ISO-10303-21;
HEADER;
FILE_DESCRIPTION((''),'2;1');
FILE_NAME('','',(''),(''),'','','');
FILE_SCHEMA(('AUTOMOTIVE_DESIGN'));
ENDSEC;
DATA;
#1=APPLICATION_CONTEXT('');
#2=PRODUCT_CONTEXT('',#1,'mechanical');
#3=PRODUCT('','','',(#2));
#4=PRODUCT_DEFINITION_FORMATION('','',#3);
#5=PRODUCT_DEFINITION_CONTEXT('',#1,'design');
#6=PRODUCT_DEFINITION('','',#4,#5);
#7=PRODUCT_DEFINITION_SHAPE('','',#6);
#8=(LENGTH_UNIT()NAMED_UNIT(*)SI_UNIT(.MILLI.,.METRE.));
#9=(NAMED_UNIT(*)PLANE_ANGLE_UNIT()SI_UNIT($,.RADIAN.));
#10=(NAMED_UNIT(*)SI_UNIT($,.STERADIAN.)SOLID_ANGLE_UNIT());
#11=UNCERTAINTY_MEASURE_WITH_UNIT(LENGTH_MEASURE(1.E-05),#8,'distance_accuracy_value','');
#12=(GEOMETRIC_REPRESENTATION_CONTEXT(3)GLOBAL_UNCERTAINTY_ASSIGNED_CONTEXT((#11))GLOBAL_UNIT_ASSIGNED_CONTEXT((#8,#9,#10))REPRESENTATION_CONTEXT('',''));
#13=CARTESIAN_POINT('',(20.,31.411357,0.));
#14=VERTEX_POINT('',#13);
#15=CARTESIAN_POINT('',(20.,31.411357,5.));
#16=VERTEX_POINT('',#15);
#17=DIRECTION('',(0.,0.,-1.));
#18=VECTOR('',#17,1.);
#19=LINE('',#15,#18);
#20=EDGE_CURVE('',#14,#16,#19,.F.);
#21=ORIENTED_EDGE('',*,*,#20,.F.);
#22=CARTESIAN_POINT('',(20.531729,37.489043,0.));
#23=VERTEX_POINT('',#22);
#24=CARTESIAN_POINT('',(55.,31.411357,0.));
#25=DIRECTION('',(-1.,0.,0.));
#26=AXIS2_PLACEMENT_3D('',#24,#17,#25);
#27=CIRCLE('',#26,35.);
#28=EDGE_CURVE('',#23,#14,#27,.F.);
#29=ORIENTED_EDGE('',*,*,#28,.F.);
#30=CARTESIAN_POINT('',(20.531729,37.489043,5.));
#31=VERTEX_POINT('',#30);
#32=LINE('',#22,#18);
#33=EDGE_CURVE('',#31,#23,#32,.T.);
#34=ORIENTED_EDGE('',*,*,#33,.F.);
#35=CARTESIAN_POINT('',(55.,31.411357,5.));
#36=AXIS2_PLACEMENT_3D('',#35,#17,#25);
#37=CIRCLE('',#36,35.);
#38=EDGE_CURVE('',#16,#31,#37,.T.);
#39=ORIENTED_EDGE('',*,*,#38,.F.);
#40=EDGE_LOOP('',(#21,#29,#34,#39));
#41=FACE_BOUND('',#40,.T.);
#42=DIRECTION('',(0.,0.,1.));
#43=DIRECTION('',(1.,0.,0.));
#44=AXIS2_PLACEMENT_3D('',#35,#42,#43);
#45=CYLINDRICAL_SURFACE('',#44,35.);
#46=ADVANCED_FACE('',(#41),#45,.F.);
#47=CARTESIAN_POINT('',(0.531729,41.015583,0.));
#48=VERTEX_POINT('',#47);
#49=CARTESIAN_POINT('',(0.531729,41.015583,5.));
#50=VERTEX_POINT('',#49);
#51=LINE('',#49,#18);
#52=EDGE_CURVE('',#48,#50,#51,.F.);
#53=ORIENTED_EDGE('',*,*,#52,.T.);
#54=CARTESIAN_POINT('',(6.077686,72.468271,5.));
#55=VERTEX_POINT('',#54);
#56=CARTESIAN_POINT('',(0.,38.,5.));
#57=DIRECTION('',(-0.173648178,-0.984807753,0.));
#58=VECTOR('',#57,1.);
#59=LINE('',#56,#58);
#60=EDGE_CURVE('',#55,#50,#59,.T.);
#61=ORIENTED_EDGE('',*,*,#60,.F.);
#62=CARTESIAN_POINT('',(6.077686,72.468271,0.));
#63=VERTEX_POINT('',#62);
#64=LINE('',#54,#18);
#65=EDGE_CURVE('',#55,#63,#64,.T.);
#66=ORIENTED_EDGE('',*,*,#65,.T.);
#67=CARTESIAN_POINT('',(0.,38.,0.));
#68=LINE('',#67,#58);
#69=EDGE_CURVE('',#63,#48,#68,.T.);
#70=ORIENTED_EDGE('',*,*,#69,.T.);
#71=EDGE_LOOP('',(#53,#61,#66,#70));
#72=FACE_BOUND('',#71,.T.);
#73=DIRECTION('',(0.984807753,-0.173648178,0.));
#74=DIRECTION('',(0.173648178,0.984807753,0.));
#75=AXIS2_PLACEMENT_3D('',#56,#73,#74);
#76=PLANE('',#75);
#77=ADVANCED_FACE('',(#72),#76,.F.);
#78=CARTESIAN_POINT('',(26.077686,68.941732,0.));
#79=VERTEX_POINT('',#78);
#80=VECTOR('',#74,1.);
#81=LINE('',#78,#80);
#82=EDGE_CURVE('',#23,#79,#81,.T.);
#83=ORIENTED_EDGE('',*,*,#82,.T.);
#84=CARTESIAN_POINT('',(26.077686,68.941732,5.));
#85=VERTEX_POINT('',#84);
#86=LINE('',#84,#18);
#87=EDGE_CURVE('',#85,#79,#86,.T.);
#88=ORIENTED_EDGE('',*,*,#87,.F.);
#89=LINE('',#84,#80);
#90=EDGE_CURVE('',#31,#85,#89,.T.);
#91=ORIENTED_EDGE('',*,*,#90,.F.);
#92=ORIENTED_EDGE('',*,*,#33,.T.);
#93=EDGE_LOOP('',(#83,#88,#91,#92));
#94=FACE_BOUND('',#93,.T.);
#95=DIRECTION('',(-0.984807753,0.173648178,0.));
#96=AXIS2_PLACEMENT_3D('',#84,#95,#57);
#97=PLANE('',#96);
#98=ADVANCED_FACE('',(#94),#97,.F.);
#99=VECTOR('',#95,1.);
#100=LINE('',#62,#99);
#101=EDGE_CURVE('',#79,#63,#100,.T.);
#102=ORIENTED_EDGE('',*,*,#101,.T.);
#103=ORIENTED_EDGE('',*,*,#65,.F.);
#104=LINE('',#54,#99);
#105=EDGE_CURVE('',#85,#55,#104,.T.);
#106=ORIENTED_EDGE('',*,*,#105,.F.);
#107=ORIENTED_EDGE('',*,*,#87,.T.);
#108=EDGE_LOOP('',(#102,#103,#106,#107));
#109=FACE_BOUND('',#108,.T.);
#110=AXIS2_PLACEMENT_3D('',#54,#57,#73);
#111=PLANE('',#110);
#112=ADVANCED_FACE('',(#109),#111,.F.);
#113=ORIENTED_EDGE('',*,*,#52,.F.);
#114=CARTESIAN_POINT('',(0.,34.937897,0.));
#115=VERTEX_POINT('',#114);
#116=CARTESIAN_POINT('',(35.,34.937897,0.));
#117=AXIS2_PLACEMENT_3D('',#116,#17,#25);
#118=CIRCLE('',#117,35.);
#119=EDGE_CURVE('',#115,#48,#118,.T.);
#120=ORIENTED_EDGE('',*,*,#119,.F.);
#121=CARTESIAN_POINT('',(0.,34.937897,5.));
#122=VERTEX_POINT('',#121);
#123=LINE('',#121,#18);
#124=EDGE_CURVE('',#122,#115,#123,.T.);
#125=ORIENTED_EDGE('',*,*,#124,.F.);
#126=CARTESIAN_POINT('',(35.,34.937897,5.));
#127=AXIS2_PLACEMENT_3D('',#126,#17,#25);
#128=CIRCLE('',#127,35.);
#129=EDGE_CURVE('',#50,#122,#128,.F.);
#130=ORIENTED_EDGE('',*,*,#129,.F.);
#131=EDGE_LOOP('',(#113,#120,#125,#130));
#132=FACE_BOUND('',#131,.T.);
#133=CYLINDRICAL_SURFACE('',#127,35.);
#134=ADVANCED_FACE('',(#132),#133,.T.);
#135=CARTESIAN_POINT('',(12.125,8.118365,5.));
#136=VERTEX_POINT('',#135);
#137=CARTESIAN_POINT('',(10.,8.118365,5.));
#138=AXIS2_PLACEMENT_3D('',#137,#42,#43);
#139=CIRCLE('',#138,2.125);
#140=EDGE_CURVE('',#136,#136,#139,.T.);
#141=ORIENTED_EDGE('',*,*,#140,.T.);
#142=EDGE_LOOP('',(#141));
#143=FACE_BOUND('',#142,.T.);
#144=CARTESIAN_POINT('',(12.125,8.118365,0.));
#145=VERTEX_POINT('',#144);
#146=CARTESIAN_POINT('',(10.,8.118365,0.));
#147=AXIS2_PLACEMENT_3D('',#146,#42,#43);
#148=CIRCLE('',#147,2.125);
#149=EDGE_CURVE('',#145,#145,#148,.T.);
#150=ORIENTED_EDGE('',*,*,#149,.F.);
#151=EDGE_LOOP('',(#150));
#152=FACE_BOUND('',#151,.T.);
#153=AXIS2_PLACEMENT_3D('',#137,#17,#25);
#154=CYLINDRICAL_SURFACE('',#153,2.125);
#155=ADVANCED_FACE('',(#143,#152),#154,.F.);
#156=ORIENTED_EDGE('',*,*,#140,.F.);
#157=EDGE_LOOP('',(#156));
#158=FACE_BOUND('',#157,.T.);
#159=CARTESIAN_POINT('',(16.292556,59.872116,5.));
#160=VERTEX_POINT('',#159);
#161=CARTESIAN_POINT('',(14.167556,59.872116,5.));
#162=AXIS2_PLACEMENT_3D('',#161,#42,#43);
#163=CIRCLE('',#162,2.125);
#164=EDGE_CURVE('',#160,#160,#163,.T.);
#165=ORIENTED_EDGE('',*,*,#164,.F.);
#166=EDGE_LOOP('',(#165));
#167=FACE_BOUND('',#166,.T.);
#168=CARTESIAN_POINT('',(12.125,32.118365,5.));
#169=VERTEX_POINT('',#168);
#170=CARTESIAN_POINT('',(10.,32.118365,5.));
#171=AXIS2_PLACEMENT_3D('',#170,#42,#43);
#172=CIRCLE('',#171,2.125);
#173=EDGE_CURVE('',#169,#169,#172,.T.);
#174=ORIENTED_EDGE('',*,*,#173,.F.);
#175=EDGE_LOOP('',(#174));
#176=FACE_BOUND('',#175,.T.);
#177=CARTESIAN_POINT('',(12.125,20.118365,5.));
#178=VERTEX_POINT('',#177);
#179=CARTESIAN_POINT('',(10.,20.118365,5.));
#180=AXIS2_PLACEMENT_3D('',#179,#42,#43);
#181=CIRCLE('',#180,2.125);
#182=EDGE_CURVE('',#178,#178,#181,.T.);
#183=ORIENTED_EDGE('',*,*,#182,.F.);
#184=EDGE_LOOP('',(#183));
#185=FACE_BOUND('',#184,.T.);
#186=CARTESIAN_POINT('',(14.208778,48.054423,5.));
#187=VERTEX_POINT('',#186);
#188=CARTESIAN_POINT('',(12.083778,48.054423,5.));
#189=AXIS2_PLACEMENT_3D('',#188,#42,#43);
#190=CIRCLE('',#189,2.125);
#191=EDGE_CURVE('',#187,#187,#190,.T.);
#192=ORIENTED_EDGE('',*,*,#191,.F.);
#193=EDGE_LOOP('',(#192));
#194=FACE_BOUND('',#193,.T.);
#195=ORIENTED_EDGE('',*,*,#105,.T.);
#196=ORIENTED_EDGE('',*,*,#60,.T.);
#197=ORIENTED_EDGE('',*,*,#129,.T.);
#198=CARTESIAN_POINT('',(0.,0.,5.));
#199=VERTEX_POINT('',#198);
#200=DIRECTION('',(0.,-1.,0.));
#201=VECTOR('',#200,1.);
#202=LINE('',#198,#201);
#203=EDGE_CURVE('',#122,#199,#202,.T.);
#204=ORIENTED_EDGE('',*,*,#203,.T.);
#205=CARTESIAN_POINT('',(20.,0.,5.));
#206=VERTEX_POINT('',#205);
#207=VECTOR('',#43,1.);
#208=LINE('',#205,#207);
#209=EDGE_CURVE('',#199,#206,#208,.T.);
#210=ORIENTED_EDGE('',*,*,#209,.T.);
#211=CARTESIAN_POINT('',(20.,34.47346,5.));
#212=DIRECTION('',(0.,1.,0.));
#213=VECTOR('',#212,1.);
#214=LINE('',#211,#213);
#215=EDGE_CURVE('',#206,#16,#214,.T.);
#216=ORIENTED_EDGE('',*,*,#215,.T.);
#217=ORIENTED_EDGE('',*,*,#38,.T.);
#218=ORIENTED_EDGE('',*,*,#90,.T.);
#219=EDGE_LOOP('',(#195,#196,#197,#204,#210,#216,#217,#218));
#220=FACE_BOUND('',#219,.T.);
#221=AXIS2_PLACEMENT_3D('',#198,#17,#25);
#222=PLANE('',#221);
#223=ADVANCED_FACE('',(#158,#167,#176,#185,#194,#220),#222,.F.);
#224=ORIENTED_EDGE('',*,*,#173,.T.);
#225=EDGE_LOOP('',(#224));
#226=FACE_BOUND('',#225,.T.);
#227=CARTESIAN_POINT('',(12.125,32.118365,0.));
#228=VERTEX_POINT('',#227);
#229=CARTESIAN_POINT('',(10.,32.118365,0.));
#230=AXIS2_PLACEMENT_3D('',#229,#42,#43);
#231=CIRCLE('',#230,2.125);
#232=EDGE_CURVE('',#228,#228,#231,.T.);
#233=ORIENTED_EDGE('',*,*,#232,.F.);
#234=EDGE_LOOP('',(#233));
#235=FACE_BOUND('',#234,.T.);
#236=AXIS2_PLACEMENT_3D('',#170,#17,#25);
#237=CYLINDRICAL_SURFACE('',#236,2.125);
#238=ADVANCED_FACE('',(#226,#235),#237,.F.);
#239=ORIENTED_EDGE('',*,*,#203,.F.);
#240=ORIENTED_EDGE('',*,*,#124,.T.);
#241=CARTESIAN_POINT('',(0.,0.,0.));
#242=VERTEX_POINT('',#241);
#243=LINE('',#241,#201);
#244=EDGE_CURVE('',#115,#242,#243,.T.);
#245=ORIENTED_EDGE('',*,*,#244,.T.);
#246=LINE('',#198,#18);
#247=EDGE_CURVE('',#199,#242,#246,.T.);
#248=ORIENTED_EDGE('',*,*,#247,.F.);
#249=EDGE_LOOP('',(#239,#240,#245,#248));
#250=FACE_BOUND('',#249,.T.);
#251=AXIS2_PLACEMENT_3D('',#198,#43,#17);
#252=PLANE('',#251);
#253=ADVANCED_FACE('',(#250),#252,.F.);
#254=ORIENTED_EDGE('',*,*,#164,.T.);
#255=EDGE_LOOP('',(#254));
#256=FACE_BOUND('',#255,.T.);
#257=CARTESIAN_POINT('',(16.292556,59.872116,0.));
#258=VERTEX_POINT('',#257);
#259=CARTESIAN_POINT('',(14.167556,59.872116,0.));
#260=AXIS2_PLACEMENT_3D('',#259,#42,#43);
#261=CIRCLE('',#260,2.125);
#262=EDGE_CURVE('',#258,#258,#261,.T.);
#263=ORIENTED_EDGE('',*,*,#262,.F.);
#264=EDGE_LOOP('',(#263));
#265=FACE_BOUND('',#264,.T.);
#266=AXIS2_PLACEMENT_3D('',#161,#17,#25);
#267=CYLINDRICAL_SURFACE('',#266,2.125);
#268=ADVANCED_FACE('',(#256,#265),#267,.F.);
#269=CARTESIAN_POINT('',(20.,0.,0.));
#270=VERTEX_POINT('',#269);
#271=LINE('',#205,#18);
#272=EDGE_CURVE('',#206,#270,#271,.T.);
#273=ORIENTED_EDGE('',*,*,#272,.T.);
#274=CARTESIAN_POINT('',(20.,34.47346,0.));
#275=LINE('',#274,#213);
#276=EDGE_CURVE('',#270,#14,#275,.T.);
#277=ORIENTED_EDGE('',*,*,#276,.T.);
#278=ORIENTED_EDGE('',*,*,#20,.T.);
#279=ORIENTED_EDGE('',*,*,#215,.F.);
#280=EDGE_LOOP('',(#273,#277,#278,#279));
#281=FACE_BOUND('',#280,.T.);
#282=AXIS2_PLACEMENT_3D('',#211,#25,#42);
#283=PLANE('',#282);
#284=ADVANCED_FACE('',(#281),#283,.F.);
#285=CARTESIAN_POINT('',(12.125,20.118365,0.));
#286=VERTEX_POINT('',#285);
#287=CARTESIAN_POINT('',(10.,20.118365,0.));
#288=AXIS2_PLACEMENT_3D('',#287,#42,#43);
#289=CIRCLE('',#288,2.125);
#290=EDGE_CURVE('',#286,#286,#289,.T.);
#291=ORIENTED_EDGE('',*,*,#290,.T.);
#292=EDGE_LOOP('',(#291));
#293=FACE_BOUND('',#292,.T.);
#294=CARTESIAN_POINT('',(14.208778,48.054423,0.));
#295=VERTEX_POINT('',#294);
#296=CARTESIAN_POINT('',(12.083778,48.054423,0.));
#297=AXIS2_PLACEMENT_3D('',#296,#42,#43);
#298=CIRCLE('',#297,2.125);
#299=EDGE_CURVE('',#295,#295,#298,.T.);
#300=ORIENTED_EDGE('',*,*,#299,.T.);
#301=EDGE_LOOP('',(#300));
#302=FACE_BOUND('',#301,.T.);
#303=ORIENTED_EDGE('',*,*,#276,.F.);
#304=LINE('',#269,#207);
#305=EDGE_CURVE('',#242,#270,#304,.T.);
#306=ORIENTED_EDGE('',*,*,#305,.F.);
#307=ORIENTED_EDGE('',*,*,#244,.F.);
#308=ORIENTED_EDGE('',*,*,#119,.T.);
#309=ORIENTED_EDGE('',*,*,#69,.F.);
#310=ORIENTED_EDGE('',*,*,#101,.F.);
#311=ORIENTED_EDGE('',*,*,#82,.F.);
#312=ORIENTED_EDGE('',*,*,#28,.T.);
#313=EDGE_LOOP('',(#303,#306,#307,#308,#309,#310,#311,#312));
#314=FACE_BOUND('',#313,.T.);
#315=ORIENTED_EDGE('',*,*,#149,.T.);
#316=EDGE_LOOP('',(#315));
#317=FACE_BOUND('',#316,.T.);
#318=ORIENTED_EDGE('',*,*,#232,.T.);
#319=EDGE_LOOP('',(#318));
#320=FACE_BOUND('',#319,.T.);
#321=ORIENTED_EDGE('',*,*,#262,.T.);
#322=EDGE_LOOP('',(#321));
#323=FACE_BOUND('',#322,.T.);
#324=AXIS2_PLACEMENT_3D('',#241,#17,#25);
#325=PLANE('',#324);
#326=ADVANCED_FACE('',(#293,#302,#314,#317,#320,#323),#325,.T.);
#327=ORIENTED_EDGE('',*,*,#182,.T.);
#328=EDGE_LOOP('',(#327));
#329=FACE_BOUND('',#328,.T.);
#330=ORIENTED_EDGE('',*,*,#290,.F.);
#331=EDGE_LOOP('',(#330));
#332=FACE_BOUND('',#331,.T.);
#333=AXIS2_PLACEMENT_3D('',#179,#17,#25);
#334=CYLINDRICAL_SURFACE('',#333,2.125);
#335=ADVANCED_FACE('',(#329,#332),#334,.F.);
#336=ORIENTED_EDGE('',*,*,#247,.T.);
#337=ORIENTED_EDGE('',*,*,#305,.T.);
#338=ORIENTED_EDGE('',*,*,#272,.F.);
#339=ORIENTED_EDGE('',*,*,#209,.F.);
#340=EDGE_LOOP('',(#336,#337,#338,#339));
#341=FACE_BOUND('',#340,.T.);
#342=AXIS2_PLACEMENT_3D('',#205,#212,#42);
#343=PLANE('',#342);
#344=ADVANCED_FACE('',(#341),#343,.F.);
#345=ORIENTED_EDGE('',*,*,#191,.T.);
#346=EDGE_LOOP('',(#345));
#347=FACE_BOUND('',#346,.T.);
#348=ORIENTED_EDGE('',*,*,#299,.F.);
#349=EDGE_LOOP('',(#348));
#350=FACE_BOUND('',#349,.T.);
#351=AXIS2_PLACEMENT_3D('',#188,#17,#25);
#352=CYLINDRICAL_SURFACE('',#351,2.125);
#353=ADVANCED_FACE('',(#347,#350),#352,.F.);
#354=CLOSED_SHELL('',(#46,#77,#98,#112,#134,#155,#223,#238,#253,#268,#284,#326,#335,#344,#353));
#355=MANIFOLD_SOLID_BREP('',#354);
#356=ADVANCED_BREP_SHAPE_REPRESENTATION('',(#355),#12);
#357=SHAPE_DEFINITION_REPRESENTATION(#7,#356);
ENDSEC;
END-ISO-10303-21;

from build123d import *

# Parameters (mm, degrees)
SKETCH_1_R      = 2.125
EXTRUDE_1_DEPTH = 5
FILLET_1_R      = 35


with BuildPart() as part:
    # 草图1 → 凸台-拉伸1 (new body)
    with BuildSketch(Plane.XY):
        Polygon((0, 0), (0, 38), (6.077686218, 72.468271355), (26.077686218, 68.941731741), (20, 34.473460386), (20, 0), align=None)
        with Locations((10, 32.118365096)):
            Circle(SKETCH_1_R, mode=Mode.SUBTRACT)
        with Locations((10, 20.118365096)):
            Circle(SKETCH_1_R, mode=Mode.SUBTRACT)
        with Locations((10, 8.118365096)):
            Circle(SKETCH_1_R, mode=Mode.SUBTRACT)
        with Locations((14.167556264, 59.872116265)):
            Circle(SKETCH_1_R, mode=Mode.SUBTRACT)
        with Locations((12.083778132, 48.054423229)):
            Circle(SKETCH_1_R, mode=Mode.SUBTRACT)
    extrude(amount=EXTRUDE_1_DEPTH)

    # 圆角1
    fillet_1_edges = [part.edges().sort_by_distance(p)[0] for p in [
        (0, 38, 2.5),
        (20, 34.473460386, 2.5),
    ]]
    fillet(fillet_1_edges, radius=FILLET_1_R)


solid = part.part
